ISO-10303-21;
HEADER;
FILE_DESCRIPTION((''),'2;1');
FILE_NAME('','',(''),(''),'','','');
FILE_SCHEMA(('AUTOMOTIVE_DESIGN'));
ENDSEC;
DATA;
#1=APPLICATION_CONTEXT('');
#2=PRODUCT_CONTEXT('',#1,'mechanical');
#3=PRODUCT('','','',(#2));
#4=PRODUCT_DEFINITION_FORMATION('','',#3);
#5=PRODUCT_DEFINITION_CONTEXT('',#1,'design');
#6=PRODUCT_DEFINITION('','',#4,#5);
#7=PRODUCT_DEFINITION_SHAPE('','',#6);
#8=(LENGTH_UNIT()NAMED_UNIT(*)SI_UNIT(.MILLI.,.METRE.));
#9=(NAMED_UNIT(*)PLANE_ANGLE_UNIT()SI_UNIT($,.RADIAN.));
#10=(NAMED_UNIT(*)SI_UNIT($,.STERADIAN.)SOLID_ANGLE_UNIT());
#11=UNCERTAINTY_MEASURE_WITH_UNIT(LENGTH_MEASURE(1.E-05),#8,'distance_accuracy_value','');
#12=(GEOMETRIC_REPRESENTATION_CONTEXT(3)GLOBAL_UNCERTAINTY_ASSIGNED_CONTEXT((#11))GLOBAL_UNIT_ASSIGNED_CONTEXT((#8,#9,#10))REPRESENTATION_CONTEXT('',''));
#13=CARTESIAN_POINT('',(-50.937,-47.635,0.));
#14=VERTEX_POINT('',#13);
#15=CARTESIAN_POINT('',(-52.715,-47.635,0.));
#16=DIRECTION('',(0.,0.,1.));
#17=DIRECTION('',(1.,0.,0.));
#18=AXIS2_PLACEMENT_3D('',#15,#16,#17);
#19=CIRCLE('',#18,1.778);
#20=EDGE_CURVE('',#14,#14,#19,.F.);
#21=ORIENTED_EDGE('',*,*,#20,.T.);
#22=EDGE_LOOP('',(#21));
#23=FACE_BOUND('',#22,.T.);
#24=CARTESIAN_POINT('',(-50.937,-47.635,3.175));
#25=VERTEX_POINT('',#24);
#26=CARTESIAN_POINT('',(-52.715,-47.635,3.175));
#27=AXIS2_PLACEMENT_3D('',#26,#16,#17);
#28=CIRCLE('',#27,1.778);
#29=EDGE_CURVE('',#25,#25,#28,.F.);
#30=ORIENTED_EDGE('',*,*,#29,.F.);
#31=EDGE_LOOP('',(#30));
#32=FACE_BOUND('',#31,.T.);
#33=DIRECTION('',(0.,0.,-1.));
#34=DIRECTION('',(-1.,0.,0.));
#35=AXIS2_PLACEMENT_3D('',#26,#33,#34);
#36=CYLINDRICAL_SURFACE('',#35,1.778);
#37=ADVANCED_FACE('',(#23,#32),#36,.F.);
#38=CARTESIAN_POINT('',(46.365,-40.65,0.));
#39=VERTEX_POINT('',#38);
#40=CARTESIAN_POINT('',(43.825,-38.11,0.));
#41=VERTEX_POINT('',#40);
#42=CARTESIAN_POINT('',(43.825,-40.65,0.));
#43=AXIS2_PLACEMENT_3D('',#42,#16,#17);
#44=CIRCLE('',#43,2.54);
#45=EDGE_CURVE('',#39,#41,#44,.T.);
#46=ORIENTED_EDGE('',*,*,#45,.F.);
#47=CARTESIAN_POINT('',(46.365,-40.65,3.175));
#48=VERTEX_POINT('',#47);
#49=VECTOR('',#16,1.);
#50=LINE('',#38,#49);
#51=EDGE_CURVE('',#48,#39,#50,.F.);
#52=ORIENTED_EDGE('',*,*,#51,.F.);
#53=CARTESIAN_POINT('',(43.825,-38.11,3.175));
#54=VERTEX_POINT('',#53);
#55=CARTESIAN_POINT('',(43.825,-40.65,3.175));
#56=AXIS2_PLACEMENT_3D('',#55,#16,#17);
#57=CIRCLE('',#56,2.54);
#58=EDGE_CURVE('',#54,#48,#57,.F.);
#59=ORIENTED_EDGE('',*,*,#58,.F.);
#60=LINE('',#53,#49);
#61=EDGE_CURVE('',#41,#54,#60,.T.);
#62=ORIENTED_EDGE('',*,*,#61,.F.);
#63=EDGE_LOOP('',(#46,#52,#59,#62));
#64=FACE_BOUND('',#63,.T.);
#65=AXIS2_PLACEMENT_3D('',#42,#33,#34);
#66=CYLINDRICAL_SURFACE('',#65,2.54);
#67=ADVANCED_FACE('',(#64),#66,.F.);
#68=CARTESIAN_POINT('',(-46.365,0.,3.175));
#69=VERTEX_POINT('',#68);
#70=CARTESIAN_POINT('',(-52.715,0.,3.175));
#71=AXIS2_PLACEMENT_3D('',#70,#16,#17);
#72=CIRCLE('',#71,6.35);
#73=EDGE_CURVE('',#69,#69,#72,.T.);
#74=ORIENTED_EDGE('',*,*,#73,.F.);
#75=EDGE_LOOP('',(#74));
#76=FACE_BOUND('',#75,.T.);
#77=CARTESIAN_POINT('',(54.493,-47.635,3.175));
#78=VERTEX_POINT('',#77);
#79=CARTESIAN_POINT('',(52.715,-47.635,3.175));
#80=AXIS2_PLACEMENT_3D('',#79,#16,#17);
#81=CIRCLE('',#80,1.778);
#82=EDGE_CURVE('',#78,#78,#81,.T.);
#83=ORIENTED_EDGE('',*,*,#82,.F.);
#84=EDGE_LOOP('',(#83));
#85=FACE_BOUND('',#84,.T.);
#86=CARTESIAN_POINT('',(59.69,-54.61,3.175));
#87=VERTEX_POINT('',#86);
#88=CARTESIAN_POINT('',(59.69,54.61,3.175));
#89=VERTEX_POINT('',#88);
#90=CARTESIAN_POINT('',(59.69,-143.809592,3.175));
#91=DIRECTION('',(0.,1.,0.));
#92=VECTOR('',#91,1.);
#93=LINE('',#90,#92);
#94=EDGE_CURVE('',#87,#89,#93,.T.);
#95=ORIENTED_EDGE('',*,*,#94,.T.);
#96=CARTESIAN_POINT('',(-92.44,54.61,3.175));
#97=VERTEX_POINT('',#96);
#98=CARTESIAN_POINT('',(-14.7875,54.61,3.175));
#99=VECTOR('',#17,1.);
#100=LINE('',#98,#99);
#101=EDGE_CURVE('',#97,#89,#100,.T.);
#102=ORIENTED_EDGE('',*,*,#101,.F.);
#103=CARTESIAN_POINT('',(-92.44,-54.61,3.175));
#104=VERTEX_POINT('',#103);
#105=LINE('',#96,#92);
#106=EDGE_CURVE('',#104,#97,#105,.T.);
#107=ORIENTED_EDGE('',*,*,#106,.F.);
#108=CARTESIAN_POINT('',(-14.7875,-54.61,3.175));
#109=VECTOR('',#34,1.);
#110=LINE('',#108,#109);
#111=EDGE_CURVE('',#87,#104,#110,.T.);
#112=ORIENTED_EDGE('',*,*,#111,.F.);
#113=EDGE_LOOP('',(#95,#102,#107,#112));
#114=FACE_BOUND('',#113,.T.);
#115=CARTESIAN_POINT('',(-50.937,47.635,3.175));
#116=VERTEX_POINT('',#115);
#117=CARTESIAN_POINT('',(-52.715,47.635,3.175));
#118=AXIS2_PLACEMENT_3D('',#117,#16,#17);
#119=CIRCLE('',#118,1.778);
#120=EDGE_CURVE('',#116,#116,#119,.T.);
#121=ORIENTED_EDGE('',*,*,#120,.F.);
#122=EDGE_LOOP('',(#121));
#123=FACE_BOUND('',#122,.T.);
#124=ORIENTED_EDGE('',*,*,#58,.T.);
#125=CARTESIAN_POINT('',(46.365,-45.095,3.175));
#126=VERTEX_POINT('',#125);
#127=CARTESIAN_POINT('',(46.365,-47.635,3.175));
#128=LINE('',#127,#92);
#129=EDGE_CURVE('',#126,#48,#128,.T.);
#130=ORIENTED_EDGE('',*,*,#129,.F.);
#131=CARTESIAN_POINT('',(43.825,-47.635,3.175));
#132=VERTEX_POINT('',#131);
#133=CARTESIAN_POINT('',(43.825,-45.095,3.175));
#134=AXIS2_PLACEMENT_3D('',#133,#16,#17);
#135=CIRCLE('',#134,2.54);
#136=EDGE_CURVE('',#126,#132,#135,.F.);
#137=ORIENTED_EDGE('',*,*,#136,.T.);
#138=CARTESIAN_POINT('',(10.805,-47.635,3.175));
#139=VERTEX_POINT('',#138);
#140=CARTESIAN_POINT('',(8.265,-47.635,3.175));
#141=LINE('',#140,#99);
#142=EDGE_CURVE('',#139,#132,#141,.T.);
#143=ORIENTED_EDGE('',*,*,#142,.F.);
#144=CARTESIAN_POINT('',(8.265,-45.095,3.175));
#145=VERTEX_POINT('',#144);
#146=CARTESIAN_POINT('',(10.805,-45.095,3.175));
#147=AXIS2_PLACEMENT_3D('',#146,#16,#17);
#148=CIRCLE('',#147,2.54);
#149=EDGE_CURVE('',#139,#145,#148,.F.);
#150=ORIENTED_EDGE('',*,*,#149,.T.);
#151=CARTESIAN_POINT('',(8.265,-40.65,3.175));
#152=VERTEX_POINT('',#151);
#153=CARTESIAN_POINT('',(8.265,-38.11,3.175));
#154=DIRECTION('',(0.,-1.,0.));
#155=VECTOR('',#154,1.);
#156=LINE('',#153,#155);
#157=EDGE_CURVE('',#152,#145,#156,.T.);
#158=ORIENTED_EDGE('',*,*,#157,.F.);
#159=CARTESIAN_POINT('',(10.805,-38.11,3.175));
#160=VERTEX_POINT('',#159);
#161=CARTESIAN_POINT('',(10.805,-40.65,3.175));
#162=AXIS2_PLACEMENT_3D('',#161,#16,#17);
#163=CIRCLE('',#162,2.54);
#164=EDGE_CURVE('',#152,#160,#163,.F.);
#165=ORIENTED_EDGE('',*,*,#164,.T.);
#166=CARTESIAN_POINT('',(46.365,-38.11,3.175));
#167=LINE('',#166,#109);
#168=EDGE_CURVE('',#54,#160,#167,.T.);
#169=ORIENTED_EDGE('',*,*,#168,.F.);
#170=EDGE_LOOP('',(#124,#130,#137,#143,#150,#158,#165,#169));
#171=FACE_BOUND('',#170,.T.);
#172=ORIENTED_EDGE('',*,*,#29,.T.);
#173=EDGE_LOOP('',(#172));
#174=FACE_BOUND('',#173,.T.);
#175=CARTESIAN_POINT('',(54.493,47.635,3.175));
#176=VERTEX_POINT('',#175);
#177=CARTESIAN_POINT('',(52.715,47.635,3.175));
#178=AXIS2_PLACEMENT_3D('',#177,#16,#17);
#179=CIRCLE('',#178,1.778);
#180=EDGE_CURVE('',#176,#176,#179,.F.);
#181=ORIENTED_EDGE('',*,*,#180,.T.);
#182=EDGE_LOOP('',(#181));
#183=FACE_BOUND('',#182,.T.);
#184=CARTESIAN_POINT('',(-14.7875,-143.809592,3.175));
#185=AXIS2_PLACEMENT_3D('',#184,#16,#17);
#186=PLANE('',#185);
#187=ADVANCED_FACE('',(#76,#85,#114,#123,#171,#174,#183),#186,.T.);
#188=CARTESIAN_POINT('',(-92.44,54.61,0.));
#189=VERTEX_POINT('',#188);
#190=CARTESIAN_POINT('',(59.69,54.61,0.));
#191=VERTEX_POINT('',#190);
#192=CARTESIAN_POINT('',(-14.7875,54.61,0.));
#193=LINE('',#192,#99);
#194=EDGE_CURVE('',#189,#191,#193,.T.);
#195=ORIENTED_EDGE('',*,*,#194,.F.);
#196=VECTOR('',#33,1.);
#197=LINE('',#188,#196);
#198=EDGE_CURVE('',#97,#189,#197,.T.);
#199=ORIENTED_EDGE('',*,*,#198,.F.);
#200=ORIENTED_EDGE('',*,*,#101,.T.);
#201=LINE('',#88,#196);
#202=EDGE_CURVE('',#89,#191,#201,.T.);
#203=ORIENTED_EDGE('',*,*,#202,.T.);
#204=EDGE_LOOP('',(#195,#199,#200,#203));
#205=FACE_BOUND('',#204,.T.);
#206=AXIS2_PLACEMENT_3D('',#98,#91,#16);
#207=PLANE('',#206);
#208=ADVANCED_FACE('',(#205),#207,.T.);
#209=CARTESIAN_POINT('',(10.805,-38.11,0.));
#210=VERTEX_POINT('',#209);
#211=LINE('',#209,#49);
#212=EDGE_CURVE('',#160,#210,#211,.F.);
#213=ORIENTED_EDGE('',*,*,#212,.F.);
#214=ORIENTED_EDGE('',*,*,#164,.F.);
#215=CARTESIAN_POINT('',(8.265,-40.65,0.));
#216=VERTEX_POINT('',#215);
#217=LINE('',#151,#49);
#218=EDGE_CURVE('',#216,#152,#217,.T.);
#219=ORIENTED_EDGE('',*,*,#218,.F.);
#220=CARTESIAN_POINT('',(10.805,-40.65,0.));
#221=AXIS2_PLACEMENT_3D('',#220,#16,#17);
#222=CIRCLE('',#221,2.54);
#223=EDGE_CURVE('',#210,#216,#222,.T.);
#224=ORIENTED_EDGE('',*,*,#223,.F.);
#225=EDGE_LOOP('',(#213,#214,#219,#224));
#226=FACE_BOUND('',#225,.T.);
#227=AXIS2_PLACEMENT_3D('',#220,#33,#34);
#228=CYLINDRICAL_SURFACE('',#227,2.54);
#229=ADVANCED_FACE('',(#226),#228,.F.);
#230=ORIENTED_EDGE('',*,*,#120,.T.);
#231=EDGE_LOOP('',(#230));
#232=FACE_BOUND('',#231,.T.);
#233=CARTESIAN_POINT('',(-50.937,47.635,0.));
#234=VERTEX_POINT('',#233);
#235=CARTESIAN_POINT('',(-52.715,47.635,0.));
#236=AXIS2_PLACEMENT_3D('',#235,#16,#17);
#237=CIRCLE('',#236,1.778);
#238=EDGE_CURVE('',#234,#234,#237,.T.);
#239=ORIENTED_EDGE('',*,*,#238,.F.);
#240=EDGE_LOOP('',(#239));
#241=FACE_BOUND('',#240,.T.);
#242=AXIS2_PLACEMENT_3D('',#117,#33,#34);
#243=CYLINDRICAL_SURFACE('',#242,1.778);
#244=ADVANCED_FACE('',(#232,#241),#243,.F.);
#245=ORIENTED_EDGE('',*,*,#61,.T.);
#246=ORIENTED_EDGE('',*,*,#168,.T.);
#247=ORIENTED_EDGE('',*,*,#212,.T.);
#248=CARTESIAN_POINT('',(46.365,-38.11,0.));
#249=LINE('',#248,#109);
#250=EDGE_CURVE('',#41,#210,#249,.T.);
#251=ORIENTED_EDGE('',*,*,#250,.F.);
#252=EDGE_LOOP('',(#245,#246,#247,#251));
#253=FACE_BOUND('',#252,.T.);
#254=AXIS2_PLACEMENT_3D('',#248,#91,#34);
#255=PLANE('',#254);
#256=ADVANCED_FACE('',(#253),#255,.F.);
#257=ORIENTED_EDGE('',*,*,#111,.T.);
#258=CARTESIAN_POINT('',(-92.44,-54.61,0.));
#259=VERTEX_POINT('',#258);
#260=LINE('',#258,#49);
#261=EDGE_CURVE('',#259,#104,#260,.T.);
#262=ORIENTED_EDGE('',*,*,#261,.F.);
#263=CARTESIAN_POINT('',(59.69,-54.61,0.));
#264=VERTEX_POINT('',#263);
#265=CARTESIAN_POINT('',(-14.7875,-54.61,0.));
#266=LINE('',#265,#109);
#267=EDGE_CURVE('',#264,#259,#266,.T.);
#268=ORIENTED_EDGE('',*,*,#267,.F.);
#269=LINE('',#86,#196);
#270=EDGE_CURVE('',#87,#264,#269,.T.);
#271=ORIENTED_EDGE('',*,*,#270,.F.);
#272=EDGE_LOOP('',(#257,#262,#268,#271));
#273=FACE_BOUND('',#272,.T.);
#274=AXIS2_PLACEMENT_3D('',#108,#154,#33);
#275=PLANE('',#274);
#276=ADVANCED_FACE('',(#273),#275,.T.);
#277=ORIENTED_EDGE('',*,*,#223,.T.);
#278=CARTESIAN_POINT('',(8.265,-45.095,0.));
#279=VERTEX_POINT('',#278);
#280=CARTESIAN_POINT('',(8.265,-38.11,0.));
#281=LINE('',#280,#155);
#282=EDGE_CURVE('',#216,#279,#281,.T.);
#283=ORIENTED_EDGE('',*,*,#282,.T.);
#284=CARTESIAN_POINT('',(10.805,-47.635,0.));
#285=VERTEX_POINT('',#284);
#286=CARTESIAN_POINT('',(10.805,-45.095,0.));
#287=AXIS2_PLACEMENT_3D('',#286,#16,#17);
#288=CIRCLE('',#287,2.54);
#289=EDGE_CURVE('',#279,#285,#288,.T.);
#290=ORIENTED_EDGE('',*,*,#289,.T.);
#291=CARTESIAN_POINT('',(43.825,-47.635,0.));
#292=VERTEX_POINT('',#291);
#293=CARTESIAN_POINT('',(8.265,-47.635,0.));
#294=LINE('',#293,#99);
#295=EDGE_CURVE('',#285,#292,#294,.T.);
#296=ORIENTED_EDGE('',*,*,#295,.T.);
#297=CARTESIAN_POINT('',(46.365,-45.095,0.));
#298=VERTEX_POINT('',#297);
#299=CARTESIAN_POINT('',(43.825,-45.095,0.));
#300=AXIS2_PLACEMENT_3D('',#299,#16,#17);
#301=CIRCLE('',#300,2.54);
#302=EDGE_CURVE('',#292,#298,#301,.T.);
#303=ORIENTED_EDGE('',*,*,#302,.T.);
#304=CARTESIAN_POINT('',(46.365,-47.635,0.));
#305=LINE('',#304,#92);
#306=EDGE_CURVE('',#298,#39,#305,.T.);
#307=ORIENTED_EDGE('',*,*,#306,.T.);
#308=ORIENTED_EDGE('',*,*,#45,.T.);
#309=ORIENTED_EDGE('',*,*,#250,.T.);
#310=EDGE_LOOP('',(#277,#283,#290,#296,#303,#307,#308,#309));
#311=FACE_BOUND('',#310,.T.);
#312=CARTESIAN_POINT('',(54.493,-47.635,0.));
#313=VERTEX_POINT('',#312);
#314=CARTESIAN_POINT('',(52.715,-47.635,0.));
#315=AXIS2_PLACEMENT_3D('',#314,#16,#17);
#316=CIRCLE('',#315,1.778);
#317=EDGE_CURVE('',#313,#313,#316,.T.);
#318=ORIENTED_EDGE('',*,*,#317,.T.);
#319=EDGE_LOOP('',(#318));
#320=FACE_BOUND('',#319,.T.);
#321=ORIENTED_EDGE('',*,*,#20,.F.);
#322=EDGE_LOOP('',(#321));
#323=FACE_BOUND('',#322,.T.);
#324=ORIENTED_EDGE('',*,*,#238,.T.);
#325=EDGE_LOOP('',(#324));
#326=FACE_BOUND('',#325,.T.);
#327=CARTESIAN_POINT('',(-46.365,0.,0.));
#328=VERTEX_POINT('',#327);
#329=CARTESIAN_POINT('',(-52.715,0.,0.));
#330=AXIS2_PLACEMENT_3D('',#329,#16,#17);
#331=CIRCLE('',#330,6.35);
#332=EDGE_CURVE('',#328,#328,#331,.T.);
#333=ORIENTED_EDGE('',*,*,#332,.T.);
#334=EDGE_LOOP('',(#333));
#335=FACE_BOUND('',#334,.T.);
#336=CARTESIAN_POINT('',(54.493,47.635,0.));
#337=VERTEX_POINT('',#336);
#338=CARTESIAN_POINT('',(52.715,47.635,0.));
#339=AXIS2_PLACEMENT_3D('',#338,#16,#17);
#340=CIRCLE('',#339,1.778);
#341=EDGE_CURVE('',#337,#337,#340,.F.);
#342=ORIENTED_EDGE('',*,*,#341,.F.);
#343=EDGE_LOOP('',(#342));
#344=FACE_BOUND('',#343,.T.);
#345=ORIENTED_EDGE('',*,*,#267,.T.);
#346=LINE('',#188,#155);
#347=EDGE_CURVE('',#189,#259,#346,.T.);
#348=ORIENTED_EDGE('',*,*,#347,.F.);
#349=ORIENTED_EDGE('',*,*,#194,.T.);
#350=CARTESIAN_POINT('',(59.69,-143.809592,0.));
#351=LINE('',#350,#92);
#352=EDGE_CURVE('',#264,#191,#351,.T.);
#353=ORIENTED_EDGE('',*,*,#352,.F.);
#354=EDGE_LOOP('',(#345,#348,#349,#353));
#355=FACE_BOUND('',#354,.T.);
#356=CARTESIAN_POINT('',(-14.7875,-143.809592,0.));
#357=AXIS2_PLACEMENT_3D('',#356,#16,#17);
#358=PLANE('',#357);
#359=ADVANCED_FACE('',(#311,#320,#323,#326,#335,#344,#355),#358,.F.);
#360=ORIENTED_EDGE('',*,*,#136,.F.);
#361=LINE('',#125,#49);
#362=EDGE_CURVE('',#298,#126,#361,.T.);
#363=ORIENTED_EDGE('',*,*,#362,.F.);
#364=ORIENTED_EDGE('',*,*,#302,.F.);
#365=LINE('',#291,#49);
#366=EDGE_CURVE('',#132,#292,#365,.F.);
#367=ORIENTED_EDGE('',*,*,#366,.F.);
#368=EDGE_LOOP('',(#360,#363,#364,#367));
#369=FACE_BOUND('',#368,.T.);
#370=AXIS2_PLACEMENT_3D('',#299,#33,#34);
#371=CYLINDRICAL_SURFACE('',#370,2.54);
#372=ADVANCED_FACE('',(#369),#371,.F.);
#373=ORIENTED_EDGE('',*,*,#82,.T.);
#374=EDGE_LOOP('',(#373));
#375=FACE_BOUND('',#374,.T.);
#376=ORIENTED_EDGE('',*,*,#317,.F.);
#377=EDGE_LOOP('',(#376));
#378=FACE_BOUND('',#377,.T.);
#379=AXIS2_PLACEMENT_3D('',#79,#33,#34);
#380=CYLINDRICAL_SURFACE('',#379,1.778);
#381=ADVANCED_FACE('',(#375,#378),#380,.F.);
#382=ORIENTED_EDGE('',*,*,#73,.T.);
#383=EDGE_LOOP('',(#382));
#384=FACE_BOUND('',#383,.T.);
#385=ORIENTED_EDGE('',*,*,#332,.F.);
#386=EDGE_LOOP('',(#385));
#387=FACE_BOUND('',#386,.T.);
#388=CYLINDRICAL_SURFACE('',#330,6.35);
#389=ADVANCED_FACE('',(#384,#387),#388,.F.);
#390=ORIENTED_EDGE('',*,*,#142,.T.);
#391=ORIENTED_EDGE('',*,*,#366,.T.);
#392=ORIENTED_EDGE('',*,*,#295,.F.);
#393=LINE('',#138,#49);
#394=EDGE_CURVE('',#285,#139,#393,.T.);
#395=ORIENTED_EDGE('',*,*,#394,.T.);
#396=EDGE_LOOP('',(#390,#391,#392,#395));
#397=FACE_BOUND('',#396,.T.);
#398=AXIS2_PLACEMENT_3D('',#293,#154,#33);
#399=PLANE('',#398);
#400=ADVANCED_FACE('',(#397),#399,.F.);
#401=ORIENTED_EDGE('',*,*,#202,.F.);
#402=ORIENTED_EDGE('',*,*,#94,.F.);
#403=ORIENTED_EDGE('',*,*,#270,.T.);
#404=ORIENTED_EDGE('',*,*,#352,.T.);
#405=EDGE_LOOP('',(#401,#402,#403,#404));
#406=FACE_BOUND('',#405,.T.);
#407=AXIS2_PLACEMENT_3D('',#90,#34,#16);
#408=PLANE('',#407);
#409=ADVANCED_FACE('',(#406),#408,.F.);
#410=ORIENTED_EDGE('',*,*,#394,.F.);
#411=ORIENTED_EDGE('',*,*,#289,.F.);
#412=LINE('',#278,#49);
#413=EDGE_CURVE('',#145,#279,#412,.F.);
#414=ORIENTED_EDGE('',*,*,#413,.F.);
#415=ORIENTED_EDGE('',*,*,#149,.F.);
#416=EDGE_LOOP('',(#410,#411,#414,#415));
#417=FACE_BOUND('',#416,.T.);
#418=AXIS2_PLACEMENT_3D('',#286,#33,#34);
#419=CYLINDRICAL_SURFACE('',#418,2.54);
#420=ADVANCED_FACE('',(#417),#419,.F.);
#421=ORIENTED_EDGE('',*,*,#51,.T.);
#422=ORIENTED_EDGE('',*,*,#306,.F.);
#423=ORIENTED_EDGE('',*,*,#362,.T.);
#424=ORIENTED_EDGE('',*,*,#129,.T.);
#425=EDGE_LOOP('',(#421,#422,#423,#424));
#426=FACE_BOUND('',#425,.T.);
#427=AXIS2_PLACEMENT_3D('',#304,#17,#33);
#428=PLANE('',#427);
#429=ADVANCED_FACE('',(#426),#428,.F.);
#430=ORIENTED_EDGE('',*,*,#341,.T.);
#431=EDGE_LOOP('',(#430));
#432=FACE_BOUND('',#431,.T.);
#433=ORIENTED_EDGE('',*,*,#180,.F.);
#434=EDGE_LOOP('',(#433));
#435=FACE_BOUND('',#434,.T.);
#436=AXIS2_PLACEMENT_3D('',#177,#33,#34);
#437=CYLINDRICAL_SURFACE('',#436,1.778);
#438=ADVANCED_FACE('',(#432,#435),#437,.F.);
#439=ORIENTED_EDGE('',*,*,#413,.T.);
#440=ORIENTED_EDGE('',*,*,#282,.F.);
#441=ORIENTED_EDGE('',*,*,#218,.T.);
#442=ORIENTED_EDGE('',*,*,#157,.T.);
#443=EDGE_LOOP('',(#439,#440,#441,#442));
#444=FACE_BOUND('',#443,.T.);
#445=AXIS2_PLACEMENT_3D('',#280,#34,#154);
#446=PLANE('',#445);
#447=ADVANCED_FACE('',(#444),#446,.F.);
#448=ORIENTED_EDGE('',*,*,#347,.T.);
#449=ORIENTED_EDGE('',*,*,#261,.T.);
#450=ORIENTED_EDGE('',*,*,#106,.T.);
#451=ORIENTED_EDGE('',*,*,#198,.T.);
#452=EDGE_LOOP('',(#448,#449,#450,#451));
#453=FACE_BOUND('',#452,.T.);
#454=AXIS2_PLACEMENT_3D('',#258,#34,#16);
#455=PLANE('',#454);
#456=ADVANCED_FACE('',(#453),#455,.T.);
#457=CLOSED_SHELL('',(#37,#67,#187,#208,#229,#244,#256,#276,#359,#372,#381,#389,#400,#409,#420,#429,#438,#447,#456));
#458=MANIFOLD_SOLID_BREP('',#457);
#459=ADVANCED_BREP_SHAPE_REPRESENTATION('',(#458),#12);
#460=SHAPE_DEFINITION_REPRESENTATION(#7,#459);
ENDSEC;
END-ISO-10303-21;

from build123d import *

# Parameters (mm, degrees)
SKETCH1_R           = 1.778
BOSS_EXTRUDE1_DEPTH = 3.175
SKETCH2_W           = 38.1
SKETCH2_H           = 9.525
CUT_EXTRUDE1_DEPTH  = 105.692755002
FILLET1_R           = 2.54
SKETCH3_R           = 6.35
CUT_EXTRUDE2_DEPTH  = 105.692755002
SKETCH4_W           = 3.175
SKETCH4_H           = 109.22
BOSS_EXTRUDE2_DEPTH = 3.175


with BuildPart() as part:
    # Sketch1 → Boss-Extrude1 (new body)
    with BuildSketch(Plane.XY):
        Polygon((-89.265, -54.61), (59.69, -54.61), (59.69, 54.61), (-89.265, 54.61), (-89.265, 9.935), align=None)
        with Locations((-52.715, -47.635)):
            Circle(SKETCH1_R, mode=Mode.SUBTRACT)
        with Locations((52.715, -47.635)):
            Circle(SKETCH1_R, mode=Mode.SUBTRACT)
        with Locations((-52.715, 47.635)):
            Circle(SKETCH1_R, mode=Mode.SUBTRACT)
        with Locations((52.715, 47.635)):
            Circle(SKETCH1_R, mode=Mode.SUBTRACT)
    extrude(amount=BOSS_EXTRUDE1_DEPTH)

    # Sketch2 → Cut-Extrude1 (cut, through all)
    with BuildSketch(Plane.XY.offset(3.175)):
        with Locations((27.315, -42.8725)):
            Rectangle(SKETCH2_W, SKETCH2_H)
    extrude(amount=-CUT_EXTRUDE1_DEPTH, mode=Mode.SUBTRACT)

    # Fillet1
    fillet1_edges = [part.edges().sort_by_distance(p)[0] for p in [
        (46.365, -47.635, 1.5875),
        (8.265, -47.635, 1.5875),
        (8.265, -38.11, 1.5875),
        (46.365, -38.11, 1.5875),
    ]]
    fillet(fillet1_edges, radius=FILLET1_R)

    # Sketch3 → Cut-Extrude2 (cut, through all)
    with BuildSketch(Plane.XY.offset(3.175)):
        with Locations((-52.715, 0)):
            Circle(SKETCH3_R)
    extrude(amount=-CUT_EXTRUDE2_DEPTH, mode=Mode.SUBTRACT)

    # Sketch4 → Boss-Extrude2 (add)
    with BuildSketch(Plane.ZY.offset(89.265)):
        with Locations((1.5875, 0)):
            Rectangle(SKETCH4_W, SKETCH4_H)
    extrude(amount=BOSS_EXTRUDE2_DEPTH)


solid = part.part
